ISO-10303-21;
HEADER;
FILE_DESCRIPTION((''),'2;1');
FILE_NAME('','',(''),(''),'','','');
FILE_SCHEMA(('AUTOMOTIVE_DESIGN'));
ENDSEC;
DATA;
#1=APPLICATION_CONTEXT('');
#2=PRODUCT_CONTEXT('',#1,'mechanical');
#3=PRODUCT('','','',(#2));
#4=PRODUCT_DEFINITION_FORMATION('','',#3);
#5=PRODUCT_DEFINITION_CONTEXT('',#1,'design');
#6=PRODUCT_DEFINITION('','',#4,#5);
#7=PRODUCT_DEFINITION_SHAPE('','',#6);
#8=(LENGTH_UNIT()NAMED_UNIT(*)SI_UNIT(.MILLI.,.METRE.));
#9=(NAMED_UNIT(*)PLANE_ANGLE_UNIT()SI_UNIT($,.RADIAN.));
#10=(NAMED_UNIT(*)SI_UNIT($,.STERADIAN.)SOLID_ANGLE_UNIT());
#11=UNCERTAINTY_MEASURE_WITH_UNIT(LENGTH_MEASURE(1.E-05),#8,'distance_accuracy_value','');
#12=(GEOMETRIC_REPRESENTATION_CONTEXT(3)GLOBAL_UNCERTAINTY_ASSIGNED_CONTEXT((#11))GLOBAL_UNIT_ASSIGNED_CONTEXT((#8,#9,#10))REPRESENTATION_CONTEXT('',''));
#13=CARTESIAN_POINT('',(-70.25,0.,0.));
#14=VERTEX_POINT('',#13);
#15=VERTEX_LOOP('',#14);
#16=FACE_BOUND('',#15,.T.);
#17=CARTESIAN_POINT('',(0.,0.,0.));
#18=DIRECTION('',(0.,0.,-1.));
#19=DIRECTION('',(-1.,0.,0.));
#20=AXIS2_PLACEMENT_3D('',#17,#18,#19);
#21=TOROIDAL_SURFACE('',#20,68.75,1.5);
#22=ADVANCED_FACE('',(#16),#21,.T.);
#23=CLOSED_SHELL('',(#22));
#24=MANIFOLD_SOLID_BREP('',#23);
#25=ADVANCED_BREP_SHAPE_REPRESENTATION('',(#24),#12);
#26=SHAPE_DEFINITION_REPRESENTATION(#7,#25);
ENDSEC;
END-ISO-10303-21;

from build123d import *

# Parameters (mm, degrees)
SKETCH1_R = 1.5


with BuildPart() as part:
    # Sketch1 → Revolve1 (revolve)
    with BuildSketch(Plane(origin=(0, 0, 0), x_dir=(0, 0, -1), z_dir=(1, 0, 0))):
        with Locations((0, 68.75)):
            Circle(SKETCH1_R)
    revolve(axis=Axis((0, 0, 0), (0, 0, 1)))


solid = part.part
